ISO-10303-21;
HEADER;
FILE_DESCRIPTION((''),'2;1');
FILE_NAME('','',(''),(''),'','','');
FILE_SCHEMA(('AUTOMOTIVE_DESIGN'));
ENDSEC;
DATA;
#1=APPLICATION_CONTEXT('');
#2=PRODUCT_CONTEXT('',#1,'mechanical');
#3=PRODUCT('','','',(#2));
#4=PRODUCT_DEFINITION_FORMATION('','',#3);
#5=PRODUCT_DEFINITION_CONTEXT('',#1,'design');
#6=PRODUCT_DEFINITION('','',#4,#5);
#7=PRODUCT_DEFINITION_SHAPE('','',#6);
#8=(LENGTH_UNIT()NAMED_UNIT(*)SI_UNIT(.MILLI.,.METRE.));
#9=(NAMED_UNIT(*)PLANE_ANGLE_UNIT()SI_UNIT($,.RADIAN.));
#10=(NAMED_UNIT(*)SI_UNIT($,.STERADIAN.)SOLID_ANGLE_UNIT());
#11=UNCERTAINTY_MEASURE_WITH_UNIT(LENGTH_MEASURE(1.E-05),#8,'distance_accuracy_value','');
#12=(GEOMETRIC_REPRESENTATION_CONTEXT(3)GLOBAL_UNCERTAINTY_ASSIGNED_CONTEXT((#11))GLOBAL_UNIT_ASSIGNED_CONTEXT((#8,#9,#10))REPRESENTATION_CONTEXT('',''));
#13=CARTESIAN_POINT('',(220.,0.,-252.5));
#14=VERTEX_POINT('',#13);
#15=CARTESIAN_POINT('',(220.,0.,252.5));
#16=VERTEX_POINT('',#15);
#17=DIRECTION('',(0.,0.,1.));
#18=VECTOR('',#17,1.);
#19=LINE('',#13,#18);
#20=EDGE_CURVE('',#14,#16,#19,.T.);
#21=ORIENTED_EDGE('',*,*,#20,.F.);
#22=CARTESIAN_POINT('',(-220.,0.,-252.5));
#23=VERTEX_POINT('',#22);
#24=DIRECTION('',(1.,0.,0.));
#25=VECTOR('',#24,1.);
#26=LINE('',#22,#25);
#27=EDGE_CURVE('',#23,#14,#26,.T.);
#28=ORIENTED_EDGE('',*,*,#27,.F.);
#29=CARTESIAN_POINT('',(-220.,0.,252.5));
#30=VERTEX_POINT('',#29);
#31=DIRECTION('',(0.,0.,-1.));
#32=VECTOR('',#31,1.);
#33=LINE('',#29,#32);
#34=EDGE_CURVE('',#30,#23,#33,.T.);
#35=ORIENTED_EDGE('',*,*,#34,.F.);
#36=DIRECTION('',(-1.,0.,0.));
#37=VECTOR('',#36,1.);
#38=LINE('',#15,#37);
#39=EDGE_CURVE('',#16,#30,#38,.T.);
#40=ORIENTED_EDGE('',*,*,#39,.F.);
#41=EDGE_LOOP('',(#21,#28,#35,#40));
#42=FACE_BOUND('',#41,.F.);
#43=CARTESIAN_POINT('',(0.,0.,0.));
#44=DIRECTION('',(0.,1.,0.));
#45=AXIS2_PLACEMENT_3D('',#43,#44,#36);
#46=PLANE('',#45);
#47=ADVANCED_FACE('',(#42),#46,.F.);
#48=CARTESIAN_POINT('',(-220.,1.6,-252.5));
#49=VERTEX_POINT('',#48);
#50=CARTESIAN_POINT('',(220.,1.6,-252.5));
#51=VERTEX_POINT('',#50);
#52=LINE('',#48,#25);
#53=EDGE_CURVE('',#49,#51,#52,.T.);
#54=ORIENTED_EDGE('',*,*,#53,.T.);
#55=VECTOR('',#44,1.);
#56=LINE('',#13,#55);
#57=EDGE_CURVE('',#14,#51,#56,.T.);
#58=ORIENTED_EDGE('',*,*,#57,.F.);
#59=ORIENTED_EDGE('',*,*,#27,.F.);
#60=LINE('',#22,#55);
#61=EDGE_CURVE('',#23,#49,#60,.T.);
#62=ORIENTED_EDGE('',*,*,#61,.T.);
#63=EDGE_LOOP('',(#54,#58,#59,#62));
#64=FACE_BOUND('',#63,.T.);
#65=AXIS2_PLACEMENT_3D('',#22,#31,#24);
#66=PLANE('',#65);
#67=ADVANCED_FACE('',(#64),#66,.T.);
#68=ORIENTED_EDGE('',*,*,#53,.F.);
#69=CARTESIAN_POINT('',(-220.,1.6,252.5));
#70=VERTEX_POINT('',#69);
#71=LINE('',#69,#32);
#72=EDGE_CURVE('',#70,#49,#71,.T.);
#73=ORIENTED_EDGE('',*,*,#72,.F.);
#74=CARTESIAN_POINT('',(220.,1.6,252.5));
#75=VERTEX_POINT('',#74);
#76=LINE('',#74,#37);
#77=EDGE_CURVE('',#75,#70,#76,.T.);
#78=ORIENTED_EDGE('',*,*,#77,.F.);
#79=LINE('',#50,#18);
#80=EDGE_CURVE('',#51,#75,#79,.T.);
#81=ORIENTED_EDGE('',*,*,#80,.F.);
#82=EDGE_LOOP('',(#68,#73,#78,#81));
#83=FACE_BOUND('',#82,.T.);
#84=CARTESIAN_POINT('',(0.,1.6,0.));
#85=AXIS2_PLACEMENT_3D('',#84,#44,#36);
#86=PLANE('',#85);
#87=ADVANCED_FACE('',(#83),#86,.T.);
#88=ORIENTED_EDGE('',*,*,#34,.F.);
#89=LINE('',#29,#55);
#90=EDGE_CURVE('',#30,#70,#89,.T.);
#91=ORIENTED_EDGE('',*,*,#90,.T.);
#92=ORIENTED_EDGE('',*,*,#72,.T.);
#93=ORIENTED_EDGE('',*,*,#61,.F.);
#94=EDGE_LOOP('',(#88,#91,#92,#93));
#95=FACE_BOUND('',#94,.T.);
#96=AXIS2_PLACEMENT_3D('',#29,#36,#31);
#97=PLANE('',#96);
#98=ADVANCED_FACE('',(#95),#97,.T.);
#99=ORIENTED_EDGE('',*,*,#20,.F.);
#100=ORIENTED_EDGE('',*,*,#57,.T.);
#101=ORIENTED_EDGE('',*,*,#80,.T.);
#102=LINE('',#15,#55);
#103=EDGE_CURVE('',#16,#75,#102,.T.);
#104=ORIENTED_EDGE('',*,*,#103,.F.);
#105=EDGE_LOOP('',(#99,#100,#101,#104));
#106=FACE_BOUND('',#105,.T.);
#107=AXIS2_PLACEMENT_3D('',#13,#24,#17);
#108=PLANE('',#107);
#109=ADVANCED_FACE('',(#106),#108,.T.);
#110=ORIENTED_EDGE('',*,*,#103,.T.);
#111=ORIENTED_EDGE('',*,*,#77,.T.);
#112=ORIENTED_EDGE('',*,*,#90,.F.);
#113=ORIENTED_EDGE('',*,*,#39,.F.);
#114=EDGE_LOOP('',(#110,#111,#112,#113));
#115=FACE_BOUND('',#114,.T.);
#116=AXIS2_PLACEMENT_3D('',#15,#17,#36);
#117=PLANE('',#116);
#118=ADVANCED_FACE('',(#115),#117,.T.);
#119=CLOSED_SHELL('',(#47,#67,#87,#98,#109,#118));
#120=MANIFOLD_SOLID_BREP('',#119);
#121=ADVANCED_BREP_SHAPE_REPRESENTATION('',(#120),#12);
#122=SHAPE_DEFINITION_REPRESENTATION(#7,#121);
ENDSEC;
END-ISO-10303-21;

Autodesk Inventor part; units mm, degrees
ref_plane "YZ Plane" through (0, 0, 0) normal (1, 0, 0) x (0, 1, 0)
ref_plane "XZ Plane" through (0, 0, 0) normal (0, 1, 0) x (-1, 0, 0)
ref_plane "XY Plane" through (0, 0, 0) normal (0, 0, 1) x (1, 0, 0)
sketch "Sketch1" plane through (0, 0, 0) normal (0, 1, 0) x (-1, 0, 0)
  line L0 (-220, 252.5) -> (220, 252.5)
  line L1 (220, 252.5) -> (220, -252.5)
  line L2 (220, -252.5) -> (-220, -252.5)
  line L3 (-220, -252.5) -> (-220, 252.5)
  line L4 (-220, 252.5) -> (220, -252.5) construction
  line L5 (220, 252.5) -> (-220, -252.5) construction
  point P0 (0, 0)
  dimension "d1" = 505
  dimension "d2" = 440
extrude "Extrusion1" add sketch "Sketch1" along normal blind 1.6
properties part number "sheet"
